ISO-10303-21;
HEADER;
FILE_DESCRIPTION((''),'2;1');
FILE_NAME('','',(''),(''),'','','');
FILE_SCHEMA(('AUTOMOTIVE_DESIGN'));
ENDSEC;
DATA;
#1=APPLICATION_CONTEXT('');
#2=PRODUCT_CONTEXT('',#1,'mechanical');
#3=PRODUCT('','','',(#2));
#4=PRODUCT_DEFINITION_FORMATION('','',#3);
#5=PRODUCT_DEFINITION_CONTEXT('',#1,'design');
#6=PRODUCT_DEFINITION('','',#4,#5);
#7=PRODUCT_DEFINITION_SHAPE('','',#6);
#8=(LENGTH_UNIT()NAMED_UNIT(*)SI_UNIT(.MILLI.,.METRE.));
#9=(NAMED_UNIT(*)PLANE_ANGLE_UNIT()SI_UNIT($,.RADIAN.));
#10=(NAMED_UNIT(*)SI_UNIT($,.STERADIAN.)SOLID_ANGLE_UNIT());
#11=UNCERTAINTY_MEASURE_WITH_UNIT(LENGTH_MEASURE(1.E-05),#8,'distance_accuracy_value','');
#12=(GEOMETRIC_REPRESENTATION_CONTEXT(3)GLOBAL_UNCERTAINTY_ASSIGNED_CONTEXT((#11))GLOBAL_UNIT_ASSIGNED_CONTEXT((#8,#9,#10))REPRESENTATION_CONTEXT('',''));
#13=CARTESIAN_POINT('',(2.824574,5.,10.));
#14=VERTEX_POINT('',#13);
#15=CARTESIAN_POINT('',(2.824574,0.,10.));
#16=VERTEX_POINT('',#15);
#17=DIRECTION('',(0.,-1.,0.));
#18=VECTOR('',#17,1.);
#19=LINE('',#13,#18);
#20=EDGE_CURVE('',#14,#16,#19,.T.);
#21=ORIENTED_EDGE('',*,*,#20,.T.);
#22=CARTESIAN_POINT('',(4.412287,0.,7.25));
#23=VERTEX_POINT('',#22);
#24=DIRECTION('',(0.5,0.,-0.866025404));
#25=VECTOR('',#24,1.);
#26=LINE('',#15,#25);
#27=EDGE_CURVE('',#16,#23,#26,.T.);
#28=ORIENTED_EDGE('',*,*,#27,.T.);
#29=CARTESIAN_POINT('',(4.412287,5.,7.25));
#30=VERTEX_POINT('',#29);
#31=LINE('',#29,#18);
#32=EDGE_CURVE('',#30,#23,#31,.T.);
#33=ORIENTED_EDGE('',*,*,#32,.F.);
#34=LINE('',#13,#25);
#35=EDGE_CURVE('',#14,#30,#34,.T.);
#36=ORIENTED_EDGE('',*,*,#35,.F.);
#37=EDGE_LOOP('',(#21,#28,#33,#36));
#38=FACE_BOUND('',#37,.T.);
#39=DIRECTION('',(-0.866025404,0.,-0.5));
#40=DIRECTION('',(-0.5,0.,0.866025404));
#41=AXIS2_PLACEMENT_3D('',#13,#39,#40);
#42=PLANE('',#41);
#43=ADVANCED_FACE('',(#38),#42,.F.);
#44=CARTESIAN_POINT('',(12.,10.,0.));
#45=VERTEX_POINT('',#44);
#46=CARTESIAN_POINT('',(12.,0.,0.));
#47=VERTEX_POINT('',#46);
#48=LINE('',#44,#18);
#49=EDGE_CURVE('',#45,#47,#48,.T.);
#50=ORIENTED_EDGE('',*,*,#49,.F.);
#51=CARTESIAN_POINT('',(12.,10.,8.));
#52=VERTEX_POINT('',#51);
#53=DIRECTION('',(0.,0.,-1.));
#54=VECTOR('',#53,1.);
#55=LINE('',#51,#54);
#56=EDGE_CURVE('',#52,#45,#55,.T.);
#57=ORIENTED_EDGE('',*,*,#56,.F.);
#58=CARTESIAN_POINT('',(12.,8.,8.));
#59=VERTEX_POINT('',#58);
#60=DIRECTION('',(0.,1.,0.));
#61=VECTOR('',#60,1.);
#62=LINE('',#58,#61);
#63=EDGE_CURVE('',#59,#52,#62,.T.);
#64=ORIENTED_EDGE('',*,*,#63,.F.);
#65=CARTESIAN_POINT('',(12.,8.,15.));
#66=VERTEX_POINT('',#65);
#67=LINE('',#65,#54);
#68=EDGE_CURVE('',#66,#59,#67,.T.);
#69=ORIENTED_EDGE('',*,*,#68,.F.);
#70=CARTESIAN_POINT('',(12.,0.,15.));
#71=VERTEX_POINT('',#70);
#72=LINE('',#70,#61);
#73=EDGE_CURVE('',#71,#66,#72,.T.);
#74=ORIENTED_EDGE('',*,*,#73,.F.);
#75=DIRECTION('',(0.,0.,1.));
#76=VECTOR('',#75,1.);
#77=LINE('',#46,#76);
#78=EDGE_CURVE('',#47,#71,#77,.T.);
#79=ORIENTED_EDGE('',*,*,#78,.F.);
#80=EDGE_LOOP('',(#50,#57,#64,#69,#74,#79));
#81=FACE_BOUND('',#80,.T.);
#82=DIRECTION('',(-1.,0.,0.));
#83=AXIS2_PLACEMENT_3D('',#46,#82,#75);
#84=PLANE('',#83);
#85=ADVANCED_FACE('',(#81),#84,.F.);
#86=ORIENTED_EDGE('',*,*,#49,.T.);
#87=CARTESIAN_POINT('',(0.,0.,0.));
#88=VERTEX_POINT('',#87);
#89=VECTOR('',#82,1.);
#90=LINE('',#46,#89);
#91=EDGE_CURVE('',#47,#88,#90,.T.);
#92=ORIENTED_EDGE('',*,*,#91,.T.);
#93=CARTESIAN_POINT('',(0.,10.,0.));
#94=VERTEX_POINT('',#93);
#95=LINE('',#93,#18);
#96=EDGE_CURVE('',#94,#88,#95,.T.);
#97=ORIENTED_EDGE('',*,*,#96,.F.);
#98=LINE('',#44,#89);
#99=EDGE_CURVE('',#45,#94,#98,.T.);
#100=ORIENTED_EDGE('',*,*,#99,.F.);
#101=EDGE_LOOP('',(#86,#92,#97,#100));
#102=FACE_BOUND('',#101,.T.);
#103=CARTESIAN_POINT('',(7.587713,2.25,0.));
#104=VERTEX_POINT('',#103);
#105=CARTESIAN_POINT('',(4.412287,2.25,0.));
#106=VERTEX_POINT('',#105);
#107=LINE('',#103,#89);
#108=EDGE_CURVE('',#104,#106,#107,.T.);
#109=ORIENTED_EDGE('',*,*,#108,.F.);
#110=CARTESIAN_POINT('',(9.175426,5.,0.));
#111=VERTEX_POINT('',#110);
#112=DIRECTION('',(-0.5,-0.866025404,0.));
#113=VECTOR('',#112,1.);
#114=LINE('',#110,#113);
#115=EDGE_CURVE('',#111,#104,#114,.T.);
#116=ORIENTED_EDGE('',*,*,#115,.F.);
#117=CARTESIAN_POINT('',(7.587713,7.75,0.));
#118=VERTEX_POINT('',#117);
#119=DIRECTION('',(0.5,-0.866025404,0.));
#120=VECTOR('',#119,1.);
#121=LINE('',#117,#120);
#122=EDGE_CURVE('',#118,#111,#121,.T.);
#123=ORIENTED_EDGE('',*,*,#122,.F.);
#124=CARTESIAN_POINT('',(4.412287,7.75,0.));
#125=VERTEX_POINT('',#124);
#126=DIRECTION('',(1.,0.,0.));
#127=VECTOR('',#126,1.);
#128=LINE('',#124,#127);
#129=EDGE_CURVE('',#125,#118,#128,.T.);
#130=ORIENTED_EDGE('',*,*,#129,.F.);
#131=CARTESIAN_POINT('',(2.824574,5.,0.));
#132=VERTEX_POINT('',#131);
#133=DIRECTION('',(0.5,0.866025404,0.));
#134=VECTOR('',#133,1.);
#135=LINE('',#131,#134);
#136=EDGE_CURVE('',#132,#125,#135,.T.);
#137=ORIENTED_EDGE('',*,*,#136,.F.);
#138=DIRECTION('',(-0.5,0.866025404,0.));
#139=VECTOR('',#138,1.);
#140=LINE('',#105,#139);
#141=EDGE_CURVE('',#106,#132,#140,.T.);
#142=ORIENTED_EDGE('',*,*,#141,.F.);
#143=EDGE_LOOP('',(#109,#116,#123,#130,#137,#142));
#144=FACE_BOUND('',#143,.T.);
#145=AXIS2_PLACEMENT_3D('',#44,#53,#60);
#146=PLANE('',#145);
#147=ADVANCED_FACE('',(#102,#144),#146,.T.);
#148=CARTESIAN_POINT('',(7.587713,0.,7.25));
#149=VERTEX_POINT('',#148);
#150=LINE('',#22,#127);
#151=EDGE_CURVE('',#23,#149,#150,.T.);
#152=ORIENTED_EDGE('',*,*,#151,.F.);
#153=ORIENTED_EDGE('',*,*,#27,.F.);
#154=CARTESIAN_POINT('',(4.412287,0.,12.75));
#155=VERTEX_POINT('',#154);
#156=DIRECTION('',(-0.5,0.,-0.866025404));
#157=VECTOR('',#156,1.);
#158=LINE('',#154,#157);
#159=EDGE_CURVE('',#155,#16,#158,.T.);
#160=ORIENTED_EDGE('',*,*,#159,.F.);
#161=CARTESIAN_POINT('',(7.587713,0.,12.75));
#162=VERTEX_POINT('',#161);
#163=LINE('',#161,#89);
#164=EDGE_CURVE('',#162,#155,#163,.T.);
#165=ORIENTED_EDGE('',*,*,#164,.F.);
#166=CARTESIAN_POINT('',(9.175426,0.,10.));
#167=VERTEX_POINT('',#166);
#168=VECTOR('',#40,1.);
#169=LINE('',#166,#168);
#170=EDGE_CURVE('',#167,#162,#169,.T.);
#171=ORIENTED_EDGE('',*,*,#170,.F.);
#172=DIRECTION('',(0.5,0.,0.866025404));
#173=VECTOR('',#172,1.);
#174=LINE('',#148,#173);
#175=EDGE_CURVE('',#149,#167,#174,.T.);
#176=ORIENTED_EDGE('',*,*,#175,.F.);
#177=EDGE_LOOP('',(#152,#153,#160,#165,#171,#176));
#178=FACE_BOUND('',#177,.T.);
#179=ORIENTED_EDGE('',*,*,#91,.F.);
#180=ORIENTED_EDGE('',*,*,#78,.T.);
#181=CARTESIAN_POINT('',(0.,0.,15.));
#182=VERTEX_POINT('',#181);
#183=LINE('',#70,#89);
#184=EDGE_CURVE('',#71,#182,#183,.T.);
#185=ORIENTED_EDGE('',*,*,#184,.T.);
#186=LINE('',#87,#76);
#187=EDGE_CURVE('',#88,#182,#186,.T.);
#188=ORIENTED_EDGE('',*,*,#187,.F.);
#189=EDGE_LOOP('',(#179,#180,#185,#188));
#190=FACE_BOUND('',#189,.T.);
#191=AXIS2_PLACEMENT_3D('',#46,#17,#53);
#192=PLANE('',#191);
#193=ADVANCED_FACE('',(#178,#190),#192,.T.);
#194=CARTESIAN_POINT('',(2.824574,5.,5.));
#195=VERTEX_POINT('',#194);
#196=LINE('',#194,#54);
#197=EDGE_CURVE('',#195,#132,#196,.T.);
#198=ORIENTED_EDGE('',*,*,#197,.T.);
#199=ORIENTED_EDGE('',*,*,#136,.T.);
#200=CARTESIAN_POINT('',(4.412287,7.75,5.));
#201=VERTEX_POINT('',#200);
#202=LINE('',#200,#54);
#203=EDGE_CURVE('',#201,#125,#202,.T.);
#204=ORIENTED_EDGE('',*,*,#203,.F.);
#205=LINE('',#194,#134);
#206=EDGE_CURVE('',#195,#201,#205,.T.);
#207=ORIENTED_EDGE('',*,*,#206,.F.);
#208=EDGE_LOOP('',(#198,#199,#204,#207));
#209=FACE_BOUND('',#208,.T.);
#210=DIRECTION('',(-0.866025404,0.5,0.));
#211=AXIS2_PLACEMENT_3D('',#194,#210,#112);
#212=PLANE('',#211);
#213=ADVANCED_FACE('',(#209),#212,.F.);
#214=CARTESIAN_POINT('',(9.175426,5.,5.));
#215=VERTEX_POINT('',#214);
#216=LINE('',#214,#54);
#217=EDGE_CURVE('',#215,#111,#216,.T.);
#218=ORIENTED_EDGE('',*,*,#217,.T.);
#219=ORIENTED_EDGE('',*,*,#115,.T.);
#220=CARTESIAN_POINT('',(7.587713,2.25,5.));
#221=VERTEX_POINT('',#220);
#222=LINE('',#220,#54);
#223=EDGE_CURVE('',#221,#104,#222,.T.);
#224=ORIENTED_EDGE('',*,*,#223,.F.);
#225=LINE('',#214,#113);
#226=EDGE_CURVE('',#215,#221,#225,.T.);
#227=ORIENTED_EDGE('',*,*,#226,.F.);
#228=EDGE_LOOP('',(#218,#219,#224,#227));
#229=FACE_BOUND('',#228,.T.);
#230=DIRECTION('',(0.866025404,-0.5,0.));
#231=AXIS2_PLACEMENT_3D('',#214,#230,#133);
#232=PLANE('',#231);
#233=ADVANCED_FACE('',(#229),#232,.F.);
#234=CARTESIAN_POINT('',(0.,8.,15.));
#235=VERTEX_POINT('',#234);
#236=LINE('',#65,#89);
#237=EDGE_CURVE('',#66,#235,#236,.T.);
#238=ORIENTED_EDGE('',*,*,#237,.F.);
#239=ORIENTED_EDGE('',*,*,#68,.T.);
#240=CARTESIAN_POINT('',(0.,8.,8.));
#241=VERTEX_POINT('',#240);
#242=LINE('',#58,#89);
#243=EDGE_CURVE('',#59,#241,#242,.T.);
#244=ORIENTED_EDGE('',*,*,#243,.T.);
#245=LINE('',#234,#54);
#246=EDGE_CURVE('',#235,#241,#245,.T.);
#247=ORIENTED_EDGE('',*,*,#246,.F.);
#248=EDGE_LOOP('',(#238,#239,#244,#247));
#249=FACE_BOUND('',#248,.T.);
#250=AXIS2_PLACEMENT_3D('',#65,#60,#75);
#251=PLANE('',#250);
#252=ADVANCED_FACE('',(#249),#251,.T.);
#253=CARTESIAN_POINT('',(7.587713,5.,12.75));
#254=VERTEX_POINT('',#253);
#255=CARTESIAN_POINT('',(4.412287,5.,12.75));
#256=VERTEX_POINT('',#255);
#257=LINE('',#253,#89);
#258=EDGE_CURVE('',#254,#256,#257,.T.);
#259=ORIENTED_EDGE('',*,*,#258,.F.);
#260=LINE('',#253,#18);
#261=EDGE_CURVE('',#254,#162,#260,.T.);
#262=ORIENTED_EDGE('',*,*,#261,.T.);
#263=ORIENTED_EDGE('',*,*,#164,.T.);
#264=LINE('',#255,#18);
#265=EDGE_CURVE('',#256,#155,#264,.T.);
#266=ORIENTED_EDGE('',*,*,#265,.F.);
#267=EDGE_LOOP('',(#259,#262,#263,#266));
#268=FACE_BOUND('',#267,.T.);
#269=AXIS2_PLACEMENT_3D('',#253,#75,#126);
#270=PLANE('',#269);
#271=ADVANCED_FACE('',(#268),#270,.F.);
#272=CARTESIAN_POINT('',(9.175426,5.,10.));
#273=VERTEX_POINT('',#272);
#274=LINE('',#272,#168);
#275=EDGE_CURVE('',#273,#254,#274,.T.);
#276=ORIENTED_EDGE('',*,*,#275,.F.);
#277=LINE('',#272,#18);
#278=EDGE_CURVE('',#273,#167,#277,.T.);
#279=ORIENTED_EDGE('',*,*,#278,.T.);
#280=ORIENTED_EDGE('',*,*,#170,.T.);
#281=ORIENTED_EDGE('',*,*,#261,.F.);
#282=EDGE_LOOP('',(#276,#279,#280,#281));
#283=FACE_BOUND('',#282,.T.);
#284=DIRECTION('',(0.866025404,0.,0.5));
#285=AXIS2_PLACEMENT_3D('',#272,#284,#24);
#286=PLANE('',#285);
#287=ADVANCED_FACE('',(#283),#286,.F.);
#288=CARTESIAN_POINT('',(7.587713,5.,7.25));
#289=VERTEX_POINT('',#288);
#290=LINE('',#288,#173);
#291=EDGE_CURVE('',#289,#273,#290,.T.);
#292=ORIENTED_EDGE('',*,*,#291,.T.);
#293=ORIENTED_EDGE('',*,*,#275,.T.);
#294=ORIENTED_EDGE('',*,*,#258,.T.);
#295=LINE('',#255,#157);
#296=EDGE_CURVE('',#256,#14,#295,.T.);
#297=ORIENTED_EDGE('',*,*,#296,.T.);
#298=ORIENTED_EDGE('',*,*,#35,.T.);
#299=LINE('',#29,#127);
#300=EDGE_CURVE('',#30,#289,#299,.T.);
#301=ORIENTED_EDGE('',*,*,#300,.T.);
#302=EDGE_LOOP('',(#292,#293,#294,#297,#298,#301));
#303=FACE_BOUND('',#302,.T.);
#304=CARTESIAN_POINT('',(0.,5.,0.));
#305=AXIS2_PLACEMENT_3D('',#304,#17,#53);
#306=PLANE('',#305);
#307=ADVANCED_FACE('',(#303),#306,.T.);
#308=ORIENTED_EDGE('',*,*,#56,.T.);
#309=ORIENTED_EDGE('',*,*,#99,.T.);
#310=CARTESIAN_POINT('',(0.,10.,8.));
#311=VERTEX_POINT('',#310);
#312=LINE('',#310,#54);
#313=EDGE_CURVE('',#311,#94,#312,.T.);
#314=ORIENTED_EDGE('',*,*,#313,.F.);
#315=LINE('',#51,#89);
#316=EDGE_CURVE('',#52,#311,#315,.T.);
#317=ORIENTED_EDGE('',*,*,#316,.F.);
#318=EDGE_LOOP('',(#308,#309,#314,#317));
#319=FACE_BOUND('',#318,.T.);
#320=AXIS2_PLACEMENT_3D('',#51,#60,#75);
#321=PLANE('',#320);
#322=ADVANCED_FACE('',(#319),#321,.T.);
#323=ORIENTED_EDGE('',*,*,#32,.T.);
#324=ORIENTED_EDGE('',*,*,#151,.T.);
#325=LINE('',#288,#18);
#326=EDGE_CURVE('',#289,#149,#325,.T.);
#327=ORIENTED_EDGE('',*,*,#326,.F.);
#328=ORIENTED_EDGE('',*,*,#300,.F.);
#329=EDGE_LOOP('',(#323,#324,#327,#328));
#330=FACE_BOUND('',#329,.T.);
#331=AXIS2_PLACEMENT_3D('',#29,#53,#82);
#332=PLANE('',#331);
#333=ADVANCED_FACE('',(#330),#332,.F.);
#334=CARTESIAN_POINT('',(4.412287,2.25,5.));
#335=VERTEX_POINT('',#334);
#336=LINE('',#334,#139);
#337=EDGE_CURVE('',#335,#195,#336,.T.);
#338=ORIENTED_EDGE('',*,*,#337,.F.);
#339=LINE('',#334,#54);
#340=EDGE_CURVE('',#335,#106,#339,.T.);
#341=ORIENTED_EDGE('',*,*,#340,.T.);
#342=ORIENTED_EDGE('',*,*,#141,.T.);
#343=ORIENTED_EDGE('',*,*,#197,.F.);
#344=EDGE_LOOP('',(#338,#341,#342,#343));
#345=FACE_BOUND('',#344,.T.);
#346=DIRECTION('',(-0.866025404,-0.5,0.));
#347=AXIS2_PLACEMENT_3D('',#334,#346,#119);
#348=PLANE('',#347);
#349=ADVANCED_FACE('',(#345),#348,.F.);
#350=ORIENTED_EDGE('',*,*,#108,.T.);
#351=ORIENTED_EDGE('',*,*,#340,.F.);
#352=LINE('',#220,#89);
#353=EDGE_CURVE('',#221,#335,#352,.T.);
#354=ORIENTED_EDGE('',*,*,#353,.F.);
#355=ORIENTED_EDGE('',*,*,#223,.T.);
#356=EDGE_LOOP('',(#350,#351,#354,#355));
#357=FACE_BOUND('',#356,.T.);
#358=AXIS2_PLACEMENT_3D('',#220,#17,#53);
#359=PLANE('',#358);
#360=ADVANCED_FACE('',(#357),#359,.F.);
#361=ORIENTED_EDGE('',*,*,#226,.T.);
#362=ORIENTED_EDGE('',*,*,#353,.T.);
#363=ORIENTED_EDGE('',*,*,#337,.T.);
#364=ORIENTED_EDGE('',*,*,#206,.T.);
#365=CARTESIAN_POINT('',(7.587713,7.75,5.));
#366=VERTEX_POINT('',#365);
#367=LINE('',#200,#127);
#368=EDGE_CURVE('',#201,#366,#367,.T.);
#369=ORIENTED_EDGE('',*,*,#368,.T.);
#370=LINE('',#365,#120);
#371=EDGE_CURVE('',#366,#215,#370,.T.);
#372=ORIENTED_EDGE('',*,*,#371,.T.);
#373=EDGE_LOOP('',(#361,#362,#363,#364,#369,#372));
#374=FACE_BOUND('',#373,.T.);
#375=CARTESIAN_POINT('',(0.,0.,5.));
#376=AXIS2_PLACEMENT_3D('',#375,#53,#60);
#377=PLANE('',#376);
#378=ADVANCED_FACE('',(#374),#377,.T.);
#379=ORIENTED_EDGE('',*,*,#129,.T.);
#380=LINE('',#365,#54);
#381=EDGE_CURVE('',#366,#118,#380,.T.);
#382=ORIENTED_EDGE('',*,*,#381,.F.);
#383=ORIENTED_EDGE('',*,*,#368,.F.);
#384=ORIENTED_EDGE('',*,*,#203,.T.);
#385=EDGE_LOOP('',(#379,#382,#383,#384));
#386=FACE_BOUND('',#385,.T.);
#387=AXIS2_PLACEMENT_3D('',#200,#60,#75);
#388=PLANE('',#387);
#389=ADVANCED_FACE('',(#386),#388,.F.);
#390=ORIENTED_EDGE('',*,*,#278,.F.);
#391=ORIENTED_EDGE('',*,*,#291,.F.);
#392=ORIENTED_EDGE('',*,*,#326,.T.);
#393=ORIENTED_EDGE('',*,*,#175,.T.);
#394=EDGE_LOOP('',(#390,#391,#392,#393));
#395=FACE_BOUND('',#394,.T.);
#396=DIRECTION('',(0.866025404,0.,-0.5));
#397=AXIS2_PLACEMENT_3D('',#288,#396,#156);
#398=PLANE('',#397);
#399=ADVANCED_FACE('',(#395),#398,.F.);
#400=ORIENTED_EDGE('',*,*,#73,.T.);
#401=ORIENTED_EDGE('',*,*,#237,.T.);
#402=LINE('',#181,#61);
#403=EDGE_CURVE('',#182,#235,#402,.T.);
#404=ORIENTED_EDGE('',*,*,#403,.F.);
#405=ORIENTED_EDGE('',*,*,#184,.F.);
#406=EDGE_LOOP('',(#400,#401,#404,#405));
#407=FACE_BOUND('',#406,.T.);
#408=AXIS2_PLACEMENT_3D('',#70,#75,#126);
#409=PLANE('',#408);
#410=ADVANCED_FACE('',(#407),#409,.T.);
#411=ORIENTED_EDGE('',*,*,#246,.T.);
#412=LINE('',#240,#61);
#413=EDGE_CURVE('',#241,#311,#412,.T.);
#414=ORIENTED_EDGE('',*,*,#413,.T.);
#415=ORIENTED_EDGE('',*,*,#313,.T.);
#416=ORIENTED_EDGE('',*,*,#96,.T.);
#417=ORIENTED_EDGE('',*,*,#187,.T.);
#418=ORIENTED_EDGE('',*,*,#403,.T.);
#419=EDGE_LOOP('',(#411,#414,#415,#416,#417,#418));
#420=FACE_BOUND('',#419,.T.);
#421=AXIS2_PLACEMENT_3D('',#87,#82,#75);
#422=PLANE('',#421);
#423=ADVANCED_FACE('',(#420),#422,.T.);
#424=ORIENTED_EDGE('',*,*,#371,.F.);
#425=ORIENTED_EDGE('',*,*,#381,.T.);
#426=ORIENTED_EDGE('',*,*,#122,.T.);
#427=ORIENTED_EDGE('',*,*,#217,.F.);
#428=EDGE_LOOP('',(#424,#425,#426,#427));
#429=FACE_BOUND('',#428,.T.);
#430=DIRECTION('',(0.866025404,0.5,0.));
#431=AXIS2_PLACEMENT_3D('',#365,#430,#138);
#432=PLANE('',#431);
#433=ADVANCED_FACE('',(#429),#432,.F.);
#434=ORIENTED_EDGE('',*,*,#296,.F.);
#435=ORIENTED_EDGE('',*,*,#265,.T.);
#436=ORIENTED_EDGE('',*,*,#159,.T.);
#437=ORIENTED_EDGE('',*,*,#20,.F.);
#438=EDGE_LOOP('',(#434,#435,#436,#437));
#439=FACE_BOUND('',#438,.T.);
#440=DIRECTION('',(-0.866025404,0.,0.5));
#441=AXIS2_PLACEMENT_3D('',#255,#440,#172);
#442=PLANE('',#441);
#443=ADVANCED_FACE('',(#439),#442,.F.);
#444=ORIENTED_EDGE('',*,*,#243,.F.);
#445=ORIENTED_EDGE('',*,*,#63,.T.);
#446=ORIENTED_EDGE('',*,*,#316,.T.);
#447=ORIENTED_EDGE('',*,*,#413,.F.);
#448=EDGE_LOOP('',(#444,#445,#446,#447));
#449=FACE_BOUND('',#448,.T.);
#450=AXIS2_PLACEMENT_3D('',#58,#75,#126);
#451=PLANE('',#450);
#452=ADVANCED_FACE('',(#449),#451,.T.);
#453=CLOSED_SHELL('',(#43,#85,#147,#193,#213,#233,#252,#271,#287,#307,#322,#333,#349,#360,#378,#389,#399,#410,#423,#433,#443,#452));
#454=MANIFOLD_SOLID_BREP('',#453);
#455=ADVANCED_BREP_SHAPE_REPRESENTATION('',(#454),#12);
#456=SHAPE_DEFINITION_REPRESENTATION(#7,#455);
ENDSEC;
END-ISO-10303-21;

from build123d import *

# Parameters (mm, degrees)
BOSS_EXTRUDE1_DEPTH = 12
CUT_EXTRUDE1_DEPTH  = 5
CUT_EXTRUDE2_DEPTH  = 5


with BuildPart() as part:
    # Sketch2 → Boss-Extrude1 (new body)
    with BuildSketch(Plane(origin=(0, 0, 0), x_dir=(0, 0, -1), z_dir=(1, 0, 0))):
        Polygon((0, 0), (-15, 0), (-15, 8), (-8, 8), (-8, 10), (0, 10), align=None)
    extrude(amount=BOSS_EXTRUDE1_DEPTH)

    # Sketch3 → Cut-Extrude1 (cut)
    with BuildSketch(Plane(origin=(0, 0, 0), x_dir=(-1, 0, 0), z_dir=(0, 0, -1))):
        Polygon((-4.41228676, 7.75), (-7.58771324, 7.75), (-9.175426481, 5), (-7.58771324, 2.25), (-4.41228676, 2.25), (-2.824573519, 5), align=None)
    extrude(amount=-CUT_EXTRUDE1_DEPTH, mode=Mode.SUBTRACT)

    # Sketch4 → Cut-Extrude2 (cut)
    with BuildSketch(Plane.XZ):
        Polygon((4.41228676, 7.25), (7.58771324, 7.25), (9.175426481, 10), (7.58771324, 12.75), (4.41228676, 12.75), (2.824573519, 10), align=None)
    extrude(amount=-CUT_EXTRUDE2_DEPTH, mode=Mode.SUBTRACT)


solid = part.part
